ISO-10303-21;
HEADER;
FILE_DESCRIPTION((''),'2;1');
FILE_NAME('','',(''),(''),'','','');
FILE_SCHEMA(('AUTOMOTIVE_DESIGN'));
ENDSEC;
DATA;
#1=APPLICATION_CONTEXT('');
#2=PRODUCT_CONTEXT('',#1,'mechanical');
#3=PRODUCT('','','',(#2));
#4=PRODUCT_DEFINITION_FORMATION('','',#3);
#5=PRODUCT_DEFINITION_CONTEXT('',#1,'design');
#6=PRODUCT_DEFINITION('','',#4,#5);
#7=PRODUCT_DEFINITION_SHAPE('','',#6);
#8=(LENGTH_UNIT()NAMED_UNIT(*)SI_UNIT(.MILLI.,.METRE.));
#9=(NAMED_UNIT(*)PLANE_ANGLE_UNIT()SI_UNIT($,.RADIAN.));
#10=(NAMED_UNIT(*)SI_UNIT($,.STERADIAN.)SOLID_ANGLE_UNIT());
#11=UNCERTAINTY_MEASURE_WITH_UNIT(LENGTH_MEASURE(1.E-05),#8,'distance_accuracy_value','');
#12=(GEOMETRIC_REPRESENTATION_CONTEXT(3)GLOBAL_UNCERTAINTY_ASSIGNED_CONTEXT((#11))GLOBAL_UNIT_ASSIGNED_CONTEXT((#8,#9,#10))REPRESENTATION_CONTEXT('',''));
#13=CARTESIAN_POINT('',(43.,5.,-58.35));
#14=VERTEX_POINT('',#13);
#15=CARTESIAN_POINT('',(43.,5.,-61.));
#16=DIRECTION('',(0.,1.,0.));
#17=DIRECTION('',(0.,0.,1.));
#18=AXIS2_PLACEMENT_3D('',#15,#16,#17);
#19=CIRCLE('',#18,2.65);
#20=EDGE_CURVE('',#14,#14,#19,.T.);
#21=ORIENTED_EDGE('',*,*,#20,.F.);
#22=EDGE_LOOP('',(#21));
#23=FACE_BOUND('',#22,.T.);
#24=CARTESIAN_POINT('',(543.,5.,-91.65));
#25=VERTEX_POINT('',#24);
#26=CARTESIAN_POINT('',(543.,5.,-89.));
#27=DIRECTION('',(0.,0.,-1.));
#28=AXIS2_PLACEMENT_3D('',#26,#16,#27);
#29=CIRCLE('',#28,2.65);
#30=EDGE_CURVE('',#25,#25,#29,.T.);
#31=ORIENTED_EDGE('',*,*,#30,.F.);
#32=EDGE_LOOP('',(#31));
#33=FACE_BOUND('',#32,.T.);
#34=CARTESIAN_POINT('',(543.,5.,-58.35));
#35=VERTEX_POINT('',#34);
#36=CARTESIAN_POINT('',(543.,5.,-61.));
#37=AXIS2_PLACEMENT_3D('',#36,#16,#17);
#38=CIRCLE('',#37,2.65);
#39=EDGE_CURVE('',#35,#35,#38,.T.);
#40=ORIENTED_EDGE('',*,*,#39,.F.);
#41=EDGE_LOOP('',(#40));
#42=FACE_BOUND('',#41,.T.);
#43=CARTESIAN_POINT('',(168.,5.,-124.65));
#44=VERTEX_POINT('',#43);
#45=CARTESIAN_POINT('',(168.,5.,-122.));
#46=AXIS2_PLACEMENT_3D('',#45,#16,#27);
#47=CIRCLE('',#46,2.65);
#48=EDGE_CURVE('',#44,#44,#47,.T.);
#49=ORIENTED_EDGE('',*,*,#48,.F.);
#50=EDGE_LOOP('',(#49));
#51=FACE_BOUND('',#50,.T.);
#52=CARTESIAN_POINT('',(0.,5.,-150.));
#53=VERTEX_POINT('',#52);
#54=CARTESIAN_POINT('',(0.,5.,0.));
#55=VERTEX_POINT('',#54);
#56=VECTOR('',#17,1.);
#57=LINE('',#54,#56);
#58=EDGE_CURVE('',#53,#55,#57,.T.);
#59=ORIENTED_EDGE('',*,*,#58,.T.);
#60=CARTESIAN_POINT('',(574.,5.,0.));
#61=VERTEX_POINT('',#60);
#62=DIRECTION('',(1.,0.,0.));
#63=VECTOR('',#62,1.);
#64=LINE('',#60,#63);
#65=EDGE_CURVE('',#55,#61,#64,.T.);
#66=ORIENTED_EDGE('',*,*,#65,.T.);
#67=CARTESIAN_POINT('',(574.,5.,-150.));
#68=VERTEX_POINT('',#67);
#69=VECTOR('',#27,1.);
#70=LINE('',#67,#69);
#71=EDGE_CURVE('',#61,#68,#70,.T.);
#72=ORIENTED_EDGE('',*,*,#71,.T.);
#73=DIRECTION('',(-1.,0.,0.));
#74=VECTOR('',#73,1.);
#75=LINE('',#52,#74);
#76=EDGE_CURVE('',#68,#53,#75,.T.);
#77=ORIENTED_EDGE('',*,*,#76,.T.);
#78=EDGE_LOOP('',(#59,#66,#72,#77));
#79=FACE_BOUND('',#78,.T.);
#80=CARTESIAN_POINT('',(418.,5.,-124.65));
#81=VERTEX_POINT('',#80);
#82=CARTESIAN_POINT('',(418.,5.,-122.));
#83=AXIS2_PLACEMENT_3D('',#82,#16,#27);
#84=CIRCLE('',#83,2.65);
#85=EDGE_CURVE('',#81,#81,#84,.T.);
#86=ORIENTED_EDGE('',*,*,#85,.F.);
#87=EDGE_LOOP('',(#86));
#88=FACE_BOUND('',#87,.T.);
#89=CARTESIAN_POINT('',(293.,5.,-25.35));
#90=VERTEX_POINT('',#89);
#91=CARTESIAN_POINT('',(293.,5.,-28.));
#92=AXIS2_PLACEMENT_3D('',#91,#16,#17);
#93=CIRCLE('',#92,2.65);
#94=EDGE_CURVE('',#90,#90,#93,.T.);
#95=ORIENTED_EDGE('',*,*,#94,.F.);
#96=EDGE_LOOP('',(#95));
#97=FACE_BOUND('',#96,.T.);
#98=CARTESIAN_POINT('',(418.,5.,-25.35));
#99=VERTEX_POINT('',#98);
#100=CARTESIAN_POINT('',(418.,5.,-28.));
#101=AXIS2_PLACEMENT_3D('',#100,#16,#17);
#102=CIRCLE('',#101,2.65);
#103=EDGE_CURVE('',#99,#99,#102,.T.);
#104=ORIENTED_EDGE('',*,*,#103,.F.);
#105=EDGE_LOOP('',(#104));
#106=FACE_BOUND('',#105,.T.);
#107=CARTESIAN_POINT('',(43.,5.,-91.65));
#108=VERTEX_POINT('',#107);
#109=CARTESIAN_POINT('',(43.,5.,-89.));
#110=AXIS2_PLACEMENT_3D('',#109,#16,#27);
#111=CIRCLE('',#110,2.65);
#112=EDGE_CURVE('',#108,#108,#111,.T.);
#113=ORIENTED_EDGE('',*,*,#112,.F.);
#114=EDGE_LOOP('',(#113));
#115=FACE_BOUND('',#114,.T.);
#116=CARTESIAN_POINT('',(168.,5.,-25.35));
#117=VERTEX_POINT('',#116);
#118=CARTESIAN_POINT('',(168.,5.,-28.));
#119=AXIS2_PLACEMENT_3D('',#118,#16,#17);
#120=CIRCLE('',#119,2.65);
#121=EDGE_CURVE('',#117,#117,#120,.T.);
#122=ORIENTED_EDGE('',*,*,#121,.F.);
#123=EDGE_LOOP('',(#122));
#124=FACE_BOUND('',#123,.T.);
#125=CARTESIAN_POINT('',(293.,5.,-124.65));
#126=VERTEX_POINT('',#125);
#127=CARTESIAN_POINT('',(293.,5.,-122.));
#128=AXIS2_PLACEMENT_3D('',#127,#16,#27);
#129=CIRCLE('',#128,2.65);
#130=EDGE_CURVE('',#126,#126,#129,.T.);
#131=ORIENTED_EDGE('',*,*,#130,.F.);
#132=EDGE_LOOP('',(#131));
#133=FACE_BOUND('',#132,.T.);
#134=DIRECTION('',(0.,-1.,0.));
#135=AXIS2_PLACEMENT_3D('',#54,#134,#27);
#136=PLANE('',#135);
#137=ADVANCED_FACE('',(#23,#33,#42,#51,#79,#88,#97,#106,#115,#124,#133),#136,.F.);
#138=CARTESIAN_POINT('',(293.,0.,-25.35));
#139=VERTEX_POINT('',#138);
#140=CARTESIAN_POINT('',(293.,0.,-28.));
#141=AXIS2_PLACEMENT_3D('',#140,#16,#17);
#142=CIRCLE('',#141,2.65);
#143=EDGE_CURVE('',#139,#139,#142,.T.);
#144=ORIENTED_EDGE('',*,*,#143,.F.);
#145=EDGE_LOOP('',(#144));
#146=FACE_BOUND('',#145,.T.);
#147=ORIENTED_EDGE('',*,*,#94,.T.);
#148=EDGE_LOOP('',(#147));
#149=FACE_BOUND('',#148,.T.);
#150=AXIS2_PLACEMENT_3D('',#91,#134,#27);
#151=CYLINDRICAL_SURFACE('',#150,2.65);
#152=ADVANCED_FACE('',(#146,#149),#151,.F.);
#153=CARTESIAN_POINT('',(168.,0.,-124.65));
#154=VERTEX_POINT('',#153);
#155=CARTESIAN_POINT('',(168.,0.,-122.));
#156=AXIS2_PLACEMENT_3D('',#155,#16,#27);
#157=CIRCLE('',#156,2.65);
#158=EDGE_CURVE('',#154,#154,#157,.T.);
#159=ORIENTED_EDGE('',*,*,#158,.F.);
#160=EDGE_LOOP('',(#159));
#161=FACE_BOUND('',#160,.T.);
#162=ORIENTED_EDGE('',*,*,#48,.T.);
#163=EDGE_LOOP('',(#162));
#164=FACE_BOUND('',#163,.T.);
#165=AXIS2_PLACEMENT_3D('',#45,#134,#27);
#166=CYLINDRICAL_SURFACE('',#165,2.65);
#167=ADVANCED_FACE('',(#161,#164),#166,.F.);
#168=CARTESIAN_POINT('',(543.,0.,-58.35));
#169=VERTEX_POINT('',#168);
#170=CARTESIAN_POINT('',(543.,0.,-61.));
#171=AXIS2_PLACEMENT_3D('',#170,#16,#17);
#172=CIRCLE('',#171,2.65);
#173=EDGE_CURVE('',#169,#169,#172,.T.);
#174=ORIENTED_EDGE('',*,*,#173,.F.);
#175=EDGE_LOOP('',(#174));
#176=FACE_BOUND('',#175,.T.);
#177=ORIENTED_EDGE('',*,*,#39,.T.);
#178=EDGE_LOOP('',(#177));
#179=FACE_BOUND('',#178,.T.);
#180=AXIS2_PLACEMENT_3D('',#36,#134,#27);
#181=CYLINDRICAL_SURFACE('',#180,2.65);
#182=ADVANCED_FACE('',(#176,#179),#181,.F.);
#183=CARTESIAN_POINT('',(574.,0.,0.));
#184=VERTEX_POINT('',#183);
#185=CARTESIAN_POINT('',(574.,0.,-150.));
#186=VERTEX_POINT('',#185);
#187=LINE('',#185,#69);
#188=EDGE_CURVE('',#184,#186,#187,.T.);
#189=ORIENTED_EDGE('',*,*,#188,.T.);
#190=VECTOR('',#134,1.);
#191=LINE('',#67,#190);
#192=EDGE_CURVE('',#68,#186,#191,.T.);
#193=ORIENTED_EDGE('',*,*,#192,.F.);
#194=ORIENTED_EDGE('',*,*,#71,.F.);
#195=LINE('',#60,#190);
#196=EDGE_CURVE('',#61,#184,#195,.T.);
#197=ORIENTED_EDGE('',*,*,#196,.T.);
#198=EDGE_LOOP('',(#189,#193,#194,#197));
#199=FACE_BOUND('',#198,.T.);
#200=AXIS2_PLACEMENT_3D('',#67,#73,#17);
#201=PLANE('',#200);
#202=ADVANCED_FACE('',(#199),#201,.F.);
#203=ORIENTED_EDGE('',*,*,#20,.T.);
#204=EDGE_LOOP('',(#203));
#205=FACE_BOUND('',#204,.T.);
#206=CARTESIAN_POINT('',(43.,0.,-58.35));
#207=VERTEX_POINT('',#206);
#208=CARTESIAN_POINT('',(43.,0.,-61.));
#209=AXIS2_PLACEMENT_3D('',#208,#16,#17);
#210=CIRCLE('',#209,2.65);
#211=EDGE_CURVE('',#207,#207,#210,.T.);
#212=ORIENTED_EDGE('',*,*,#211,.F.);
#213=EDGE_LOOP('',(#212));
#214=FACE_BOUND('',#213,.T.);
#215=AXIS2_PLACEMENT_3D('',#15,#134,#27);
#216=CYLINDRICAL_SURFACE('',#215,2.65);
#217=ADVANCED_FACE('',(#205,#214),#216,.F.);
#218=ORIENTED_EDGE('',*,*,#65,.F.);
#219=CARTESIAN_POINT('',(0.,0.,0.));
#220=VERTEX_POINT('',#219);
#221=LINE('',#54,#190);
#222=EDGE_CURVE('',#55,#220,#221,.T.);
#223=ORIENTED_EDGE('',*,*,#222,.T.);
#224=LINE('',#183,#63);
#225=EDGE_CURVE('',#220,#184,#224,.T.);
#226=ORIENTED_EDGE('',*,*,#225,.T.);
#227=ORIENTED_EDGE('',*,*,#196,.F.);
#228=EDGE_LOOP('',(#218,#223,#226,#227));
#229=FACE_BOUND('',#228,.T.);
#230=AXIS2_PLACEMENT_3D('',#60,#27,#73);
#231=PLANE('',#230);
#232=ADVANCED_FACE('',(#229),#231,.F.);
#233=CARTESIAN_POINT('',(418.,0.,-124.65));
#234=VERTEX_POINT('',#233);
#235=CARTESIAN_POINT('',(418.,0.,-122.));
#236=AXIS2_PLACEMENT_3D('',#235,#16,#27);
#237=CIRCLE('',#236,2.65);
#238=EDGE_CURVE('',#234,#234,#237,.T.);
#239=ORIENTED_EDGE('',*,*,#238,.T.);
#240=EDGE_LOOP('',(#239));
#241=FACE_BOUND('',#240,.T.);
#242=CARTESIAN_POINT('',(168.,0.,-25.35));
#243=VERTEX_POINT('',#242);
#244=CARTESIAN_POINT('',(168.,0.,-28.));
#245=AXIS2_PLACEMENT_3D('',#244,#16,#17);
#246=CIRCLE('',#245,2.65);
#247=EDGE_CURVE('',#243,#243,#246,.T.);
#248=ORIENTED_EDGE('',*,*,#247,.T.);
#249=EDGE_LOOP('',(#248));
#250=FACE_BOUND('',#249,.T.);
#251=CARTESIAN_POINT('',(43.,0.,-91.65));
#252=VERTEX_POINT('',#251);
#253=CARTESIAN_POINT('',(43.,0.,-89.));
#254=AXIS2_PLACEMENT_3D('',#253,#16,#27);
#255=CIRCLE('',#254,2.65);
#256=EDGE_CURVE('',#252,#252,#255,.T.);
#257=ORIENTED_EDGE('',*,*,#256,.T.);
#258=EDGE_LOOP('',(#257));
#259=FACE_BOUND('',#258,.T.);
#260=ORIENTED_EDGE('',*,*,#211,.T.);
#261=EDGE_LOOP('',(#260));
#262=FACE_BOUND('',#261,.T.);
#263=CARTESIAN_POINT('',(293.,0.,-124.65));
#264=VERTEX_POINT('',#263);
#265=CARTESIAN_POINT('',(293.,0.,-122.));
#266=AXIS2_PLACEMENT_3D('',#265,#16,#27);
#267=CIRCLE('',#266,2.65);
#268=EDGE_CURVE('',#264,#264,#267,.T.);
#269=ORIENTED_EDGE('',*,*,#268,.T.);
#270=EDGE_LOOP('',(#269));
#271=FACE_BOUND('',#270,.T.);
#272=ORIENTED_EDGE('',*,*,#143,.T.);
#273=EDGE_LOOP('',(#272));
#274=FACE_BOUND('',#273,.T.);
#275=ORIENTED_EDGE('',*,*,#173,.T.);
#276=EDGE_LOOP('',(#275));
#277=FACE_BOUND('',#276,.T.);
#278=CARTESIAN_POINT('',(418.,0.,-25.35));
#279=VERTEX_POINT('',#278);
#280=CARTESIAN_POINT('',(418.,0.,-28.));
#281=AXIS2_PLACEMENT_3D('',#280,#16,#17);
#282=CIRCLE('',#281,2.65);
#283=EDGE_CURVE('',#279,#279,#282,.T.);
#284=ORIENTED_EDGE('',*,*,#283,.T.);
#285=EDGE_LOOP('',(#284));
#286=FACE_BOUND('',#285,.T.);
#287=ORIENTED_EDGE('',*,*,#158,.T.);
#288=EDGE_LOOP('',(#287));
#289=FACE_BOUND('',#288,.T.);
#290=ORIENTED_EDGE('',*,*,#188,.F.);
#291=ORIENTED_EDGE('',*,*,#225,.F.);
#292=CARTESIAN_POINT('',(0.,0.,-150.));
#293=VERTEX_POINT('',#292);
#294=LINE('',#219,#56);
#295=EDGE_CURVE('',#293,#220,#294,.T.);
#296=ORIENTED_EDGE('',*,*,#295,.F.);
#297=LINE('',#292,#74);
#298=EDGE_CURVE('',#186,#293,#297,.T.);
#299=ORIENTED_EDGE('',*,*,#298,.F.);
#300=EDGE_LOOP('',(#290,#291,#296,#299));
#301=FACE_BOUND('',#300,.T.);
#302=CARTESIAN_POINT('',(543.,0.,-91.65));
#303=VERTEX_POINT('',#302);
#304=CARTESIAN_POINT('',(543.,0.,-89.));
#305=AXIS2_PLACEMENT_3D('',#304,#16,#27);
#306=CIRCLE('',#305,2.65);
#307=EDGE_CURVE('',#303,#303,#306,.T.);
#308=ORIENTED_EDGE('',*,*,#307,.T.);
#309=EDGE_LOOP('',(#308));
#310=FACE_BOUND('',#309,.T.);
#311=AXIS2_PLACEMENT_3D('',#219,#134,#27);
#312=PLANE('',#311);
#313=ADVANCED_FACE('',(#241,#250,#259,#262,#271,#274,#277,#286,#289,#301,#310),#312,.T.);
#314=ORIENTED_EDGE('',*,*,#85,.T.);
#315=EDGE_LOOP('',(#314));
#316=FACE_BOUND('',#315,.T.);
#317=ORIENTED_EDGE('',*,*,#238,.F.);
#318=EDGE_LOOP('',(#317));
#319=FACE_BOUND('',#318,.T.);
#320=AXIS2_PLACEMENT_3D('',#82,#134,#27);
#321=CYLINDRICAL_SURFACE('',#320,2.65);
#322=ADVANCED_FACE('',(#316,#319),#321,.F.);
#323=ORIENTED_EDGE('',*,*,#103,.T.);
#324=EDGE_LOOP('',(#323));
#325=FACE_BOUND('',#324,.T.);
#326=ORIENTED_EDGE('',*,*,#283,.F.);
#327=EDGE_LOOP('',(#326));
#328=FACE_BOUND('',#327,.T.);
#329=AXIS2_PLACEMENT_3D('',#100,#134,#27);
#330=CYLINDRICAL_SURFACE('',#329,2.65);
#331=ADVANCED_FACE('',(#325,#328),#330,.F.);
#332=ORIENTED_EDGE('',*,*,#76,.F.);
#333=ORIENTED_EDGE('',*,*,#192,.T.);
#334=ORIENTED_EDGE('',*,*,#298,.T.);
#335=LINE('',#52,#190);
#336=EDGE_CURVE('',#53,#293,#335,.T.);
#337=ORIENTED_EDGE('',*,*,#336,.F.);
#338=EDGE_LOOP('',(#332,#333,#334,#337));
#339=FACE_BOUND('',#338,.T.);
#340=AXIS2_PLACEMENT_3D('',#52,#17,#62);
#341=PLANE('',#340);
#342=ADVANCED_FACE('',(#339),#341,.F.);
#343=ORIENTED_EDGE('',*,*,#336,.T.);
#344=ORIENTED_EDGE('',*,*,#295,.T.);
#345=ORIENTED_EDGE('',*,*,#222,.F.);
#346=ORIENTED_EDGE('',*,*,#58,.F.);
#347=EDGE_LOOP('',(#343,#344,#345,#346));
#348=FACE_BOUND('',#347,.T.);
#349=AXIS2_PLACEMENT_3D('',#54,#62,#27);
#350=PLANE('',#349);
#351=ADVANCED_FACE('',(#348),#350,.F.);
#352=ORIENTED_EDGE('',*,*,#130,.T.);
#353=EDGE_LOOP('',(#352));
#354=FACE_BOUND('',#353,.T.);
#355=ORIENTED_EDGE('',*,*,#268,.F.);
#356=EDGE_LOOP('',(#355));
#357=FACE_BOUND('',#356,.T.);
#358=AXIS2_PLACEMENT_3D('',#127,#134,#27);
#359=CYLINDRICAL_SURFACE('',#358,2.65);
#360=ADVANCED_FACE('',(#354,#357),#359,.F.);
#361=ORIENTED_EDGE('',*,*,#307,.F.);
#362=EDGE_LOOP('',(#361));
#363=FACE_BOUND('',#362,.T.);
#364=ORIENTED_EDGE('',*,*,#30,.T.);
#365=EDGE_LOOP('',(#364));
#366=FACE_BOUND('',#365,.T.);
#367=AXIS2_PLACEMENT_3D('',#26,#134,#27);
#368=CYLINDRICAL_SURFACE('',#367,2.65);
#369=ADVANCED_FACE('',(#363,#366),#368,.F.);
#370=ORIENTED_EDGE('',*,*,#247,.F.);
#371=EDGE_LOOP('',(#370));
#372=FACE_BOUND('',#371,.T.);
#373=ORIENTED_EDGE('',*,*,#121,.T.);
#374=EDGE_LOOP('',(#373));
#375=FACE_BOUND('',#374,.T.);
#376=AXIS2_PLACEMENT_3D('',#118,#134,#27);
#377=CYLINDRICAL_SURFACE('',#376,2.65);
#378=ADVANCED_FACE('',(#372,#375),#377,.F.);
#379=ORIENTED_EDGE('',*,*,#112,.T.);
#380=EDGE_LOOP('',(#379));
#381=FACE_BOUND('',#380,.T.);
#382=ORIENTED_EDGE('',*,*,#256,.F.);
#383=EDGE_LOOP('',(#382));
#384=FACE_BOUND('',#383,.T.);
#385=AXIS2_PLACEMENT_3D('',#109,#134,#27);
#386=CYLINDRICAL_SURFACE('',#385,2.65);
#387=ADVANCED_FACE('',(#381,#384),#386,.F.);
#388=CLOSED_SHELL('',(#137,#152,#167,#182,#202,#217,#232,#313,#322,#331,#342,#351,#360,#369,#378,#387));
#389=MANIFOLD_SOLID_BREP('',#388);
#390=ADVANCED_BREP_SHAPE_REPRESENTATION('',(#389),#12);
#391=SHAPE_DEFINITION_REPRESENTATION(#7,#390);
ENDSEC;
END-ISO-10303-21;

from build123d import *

# Parameters (mm, degrees)
SKETCH1_W           = 574
SKETCH1_H           = 150
SKETCH1_R           = 2.65
BOSS_EXTRUDE1_DEPTH = 5


with BuildPart() as part:
    # Sketch1 → Boss-Extrude1 (new body)
    with BuildSketch(Plane(origin=(0, 0, 0), x_dir=(1, 0, 0), z_dir=(0, 1, 0))):
        with Locations((287, 75)):
            Rectangle(SKETCH1_W, SKETCH1_H)
        with Locations(Location((43, 61, 0), (0, 0, 270))):
            Circle(SKETCH1_R, mode=Mode.SUBTRACT)
        with Locations(Location((168, 28, 0), (0, 0, 270))):
            Circle(SKETCH1_R, mode=Mode.SUBTRACT)
        with Locations(Location((293, 28, 0), (0, 0, 270))):
            Circle(SKETCH1_R, mode=Mode.SUBTRACT)
        with Locations(Location((418, 28, 0), (0, 0, 270))):
            Circle(SKETCH1_R, mode=Mode.SUBTRACT)
        with Locations(Location((543, 61, 0), (0, 0, 270))):
            Circle(SKETCH1_R, mode=Mode.SUBTRACT)
        with Locations(Location((543, 89, 0), (0, 0, 90))):
            Circle(SKETCH1_R, mode=Mode.SUBTRACT)
        with Locations(Location((418, 122, 0), (0, 0, 90))):
            Circle(SKETCH1_R, mode=Mode.SUBTRACT)
        with Locations(Location((293, 122, 0), (0, 0, 90))):
            Circle(SKETCH1_R, mode=Mode.SUBTRACT)
        with Locations(Location((168, 122, 0), (0, 0, 90))):
            Circle(SKETCH1_R, mode=Mode.SUBTRACT)
        with Locations(Location((43, 89, 0), (0, 0, 90))):
            Circle(SKETCH1_R, mode=Mode.SUBTRACT)
    extrude(amount=BOSS_EXTRUDE1_DEPTH)


solid = part.part
